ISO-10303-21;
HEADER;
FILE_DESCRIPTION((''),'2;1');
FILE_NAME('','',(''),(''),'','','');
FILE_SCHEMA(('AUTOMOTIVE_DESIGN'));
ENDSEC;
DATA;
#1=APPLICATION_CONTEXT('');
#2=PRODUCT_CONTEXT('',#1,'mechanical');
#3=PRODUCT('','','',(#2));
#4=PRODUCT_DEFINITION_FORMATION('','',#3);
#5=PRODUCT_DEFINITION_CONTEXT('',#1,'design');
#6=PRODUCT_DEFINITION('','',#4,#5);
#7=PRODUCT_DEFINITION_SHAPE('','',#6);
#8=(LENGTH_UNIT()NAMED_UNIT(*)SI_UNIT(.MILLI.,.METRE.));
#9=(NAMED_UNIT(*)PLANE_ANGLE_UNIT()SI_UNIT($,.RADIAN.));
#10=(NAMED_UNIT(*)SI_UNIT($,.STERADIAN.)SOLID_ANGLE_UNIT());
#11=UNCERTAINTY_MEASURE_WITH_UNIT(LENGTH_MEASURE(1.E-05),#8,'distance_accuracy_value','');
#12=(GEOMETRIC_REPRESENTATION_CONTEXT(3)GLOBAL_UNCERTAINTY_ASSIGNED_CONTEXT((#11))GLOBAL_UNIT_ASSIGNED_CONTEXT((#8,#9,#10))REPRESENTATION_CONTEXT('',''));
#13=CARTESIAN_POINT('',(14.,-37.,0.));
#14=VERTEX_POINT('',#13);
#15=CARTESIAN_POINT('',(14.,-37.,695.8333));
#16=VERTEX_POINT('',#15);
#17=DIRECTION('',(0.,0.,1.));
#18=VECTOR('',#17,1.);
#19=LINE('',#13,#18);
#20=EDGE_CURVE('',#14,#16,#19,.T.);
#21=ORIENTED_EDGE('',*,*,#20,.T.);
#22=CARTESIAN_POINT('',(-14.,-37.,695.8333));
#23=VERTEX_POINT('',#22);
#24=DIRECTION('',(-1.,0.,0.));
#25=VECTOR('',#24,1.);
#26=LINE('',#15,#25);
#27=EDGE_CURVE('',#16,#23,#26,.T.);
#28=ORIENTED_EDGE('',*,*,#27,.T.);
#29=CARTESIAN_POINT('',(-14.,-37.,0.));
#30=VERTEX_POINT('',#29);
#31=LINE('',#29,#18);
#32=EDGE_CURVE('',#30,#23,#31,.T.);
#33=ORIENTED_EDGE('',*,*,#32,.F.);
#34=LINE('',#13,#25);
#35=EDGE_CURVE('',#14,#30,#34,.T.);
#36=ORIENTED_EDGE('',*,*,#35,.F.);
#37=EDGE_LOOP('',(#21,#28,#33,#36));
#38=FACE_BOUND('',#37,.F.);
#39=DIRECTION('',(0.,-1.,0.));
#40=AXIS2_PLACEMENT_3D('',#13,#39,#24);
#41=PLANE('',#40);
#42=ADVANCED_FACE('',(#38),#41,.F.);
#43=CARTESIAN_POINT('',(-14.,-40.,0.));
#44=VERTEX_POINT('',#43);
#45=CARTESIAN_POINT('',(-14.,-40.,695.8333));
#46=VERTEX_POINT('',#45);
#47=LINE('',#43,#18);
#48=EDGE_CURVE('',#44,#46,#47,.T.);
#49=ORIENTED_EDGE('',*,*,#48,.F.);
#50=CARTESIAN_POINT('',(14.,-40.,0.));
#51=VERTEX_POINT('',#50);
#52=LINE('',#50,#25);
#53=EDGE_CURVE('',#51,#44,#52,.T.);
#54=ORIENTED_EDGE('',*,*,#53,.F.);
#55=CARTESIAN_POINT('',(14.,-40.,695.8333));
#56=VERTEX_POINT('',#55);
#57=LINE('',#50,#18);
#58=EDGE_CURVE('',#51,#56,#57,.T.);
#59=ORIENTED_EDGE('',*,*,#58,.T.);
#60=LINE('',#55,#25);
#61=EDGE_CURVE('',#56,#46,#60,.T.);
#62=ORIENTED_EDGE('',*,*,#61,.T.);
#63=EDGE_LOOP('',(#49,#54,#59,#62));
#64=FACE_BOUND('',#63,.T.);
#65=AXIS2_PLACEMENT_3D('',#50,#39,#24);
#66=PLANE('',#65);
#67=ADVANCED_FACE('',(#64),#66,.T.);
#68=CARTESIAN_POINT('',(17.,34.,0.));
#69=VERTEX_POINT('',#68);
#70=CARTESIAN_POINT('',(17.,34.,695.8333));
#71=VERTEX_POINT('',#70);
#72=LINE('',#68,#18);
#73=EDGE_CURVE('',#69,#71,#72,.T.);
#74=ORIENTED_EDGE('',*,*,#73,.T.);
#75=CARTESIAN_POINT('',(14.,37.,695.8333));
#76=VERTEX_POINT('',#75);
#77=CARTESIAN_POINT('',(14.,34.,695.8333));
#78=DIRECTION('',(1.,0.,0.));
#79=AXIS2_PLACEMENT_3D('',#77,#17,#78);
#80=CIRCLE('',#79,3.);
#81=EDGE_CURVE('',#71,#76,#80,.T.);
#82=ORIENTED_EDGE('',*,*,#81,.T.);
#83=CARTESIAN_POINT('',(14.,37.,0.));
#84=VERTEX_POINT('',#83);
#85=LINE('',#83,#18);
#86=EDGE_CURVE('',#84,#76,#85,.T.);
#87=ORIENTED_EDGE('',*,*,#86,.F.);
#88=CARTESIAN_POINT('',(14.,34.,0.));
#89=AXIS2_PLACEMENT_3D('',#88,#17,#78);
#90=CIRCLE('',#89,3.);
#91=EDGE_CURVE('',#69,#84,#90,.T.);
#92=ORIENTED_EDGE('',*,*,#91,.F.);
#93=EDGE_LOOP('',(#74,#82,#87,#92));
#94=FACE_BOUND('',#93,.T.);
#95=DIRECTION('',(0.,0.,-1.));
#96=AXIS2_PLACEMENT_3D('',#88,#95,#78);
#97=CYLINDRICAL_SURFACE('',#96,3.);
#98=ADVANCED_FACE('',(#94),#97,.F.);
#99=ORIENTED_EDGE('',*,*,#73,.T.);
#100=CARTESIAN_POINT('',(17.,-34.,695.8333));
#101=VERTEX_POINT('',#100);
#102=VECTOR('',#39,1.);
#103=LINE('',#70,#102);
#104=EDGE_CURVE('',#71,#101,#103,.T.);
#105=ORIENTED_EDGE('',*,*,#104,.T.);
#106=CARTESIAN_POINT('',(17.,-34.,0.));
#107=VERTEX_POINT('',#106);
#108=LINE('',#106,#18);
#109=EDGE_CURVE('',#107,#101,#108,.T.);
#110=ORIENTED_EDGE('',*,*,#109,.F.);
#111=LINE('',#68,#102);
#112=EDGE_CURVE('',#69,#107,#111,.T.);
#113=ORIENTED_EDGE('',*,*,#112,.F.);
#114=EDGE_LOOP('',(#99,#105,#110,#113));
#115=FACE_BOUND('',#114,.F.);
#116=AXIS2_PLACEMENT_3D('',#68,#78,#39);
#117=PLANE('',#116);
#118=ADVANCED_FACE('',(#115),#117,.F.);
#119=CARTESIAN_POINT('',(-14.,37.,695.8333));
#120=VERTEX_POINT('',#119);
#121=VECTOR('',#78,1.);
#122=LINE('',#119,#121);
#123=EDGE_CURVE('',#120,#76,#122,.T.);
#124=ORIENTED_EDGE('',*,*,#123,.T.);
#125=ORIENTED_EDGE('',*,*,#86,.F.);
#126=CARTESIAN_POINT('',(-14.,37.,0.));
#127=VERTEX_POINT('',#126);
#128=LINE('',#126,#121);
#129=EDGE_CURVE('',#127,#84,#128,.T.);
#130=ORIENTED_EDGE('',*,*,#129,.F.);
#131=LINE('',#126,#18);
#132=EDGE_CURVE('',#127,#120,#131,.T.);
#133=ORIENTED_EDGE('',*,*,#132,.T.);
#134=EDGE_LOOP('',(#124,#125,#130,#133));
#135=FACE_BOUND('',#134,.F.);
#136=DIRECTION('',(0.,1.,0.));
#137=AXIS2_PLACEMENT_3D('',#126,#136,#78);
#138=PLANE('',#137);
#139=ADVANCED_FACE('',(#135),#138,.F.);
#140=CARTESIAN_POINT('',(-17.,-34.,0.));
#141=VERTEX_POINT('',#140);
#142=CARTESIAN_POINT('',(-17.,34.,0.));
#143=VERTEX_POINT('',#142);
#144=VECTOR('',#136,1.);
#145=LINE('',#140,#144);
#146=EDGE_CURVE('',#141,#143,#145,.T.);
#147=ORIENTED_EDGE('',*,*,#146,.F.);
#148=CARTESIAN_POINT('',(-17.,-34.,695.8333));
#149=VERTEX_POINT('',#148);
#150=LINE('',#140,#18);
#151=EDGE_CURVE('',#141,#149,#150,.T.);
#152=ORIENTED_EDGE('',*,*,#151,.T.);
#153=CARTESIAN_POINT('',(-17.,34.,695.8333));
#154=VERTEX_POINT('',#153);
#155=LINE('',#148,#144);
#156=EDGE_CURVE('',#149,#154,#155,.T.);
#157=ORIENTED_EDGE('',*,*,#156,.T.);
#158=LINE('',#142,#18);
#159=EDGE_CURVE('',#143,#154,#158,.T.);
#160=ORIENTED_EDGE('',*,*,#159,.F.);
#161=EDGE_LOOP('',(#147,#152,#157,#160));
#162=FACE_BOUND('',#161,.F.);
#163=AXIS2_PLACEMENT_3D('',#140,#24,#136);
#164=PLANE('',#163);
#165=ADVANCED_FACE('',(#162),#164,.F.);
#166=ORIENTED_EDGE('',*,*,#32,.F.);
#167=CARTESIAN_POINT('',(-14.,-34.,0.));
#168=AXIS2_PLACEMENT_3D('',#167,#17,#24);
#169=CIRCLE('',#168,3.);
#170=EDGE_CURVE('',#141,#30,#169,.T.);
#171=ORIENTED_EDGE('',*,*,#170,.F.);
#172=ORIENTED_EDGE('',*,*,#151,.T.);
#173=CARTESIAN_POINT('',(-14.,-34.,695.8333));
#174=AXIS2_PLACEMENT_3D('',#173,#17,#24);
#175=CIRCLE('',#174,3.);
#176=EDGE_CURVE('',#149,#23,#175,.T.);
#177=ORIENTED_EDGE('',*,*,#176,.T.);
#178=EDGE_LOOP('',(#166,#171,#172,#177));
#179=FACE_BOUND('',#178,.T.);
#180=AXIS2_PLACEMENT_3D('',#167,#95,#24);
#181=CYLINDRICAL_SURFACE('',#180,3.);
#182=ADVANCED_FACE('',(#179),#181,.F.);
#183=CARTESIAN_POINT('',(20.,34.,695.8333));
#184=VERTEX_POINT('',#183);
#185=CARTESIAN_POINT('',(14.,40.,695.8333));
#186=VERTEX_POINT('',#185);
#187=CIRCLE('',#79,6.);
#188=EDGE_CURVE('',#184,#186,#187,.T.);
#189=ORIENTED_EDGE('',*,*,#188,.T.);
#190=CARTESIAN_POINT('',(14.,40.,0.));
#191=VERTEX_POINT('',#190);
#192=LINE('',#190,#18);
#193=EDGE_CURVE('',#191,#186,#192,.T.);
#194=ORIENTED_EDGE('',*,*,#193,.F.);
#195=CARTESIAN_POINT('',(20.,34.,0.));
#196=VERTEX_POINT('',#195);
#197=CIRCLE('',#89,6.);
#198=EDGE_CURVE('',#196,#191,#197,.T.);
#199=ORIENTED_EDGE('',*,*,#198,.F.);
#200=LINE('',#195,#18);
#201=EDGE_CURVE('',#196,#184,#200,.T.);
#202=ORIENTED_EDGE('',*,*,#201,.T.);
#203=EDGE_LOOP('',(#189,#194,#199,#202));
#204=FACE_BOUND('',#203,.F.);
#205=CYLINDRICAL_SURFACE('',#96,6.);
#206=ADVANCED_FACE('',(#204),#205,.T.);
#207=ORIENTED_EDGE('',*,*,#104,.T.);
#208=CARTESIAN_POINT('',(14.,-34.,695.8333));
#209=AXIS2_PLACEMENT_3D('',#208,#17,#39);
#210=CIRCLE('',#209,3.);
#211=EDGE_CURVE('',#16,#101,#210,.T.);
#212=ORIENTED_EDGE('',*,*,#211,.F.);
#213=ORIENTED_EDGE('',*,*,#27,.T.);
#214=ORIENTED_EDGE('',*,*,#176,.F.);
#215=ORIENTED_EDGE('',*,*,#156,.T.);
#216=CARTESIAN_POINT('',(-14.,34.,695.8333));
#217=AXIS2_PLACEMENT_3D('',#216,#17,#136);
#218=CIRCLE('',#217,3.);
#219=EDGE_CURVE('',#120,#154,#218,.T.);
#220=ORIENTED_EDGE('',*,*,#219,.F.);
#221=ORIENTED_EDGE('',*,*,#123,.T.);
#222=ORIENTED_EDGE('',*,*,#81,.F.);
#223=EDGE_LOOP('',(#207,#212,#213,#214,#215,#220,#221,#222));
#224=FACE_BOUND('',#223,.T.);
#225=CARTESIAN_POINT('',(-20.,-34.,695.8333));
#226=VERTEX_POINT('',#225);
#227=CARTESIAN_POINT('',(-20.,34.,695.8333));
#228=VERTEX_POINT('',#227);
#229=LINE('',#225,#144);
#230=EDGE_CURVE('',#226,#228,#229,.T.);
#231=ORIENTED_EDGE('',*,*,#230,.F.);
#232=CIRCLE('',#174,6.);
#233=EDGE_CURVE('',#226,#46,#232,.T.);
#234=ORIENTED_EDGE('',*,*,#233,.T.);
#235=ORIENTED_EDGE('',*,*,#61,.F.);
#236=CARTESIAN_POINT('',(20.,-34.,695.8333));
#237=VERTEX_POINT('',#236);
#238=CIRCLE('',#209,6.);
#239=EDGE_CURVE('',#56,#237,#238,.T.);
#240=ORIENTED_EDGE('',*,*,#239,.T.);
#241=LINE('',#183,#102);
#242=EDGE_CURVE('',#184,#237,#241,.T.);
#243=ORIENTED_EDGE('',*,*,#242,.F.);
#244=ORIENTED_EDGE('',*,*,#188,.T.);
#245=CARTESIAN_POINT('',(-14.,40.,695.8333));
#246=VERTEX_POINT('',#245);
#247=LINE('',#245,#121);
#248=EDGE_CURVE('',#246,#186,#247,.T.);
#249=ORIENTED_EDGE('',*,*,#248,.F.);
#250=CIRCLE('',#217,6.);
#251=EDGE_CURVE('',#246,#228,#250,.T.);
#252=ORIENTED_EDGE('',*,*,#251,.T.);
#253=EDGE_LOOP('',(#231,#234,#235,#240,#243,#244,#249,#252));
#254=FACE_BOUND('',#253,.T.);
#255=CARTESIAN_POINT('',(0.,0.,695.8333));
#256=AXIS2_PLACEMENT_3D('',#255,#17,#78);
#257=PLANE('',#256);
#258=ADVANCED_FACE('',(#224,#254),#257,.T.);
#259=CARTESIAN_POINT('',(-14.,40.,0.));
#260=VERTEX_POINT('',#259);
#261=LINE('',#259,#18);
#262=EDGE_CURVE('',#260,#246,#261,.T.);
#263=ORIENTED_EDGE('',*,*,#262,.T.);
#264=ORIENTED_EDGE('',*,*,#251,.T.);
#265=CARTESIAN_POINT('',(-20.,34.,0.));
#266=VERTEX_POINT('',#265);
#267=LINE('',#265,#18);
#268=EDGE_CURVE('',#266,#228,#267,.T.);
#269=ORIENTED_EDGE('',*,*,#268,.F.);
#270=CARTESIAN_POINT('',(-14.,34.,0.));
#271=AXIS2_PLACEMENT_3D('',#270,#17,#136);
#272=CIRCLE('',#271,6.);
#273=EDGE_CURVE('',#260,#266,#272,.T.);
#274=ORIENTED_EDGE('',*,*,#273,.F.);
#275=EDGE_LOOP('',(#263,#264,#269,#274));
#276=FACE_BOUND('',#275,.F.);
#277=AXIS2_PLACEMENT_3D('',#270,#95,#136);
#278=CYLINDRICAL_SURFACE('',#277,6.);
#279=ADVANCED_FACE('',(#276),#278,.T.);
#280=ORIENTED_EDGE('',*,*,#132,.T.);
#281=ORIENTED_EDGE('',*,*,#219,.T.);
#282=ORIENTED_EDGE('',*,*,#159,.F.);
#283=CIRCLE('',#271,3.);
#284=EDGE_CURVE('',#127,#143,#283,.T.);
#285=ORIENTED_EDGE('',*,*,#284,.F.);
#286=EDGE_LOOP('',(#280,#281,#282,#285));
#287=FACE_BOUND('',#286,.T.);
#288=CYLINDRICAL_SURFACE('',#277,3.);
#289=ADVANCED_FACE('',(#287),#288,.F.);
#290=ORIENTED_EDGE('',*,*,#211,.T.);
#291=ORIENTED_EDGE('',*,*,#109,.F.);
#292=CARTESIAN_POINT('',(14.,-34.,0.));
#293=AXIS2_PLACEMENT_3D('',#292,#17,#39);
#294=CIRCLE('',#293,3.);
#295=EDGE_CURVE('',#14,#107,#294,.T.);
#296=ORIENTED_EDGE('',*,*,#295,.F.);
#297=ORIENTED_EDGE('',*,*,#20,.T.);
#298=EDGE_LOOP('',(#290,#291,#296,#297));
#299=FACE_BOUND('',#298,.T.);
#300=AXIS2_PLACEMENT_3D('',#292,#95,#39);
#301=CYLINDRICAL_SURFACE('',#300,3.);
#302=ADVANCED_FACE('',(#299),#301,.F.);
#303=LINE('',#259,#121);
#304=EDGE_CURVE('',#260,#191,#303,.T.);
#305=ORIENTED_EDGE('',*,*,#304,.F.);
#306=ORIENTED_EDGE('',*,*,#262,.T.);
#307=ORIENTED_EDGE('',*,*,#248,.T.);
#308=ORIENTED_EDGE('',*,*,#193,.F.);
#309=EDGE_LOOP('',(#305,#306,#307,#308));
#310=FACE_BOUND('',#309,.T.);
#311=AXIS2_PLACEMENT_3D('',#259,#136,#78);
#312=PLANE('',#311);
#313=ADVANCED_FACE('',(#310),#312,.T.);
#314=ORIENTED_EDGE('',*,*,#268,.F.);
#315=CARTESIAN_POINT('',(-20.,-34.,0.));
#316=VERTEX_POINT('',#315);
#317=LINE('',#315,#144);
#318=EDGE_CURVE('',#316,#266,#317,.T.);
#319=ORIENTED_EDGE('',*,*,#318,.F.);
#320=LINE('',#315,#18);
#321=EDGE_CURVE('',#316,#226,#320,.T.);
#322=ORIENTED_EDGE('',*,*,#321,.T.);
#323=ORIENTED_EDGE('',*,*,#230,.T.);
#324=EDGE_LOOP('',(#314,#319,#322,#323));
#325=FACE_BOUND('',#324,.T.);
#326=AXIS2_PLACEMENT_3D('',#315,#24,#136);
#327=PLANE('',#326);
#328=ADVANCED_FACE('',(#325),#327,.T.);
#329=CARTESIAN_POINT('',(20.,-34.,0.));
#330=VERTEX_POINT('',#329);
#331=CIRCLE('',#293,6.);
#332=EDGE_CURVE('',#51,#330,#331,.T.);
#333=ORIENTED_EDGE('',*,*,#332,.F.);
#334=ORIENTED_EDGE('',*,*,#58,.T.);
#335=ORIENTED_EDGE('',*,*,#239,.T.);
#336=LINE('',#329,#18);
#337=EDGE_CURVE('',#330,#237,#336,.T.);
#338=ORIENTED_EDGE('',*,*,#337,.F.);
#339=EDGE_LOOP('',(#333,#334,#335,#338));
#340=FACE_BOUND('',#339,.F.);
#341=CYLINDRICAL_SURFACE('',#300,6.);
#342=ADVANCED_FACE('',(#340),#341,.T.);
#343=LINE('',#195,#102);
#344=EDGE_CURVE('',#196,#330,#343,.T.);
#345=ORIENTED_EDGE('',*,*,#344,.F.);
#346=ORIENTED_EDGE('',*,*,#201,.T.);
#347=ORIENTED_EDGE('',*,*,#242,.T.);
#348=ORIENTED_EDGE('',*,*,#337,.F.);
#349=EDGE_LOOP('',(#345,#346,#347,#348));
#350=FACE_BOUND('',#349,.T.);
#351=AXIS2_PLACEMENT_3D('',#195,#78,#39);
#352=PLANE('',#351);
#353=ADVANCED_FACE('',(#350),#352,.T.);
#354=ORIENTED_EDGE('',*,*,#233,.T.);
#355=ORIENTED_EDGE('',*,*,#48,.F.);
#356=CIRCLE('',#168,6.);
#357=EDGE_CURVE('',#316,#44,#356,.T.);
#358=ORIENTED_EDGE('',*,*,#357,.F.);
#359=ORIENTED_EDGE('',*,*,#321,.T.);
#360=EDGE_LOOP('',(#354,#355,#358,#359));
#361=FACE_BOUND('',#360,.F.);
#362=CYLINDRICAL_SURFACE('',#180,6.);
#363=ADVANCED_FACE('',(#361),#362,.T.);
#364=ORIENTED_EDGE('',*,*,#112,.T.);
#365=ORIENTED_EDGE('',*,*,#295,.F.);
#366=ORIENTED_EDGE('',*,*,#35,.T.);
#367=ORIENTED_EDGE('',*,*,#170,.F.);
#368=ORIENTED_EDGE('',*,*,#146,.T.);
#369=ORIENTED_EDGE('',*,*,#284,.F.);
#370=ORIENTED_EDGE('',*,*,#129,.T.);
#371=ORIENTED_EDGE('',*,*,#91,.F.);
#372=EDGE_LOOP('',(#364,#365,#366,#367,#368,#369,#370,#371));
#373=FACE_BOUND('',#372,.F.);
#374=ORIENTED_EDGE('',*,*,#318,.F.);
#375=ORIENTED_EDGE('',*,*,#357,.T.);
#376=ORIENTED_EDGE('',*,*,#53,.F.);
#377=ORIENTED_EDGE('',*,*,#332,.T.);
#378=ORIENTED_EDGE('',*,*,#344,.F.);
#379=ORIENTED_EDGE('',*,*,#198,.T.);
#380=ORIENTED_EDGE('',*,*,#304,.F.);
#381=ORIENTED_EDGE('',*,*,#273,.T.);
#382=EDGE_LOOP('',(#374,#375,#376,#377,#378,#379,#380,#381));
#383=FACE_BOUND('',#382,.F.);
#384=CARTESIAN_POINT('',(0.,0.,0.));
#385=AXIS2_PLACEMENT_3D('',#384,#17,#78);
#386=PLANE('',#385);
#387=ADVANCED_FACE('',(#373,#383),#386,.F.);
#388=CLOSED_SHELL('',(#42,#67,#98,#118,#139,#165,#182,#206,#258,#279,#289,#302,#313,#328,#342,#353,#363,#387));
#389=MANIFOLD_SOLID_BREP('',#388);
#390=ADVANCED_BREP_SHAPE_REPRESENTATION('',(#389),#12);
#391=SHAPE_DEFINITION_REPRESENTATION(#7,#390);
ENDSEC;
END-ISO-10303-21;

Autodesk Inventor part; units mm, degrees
ref_plane "YZ Plane" through (0, 0, 0) normal (1, 0, 0) x (0, 1, 0)
ref_plane "Start Plane" through (0, 0, 0) normal (0, 0, 1) x (1, 0, 0)
ref_plane "End Plane" through (0, 0, 695.8333) normal (0, 0, 1) x (1, 0, 0)
sketch "Sketch" plane through (0, 0, 0) normal (0, 0, 1) x (1, 0, 0)
  line L0 (-20, -34) -> (-20, 34)
  line L1 (-14, 40) -> (14, 40)
  line L2 (20, 34) -> (20, -34)
  line L3 (14, -40) -> (-14, -40)
  arc A0 (-20, -34) -> (-14, -40) centre (-14, -34) ccw
  arc A1 (20, 34) -> (14, 40) centre (14, 34) ccw
  arc A2 (-14, 40) -> (-20, 34) centre (-14, 34) ccw
  arc A3 (14, -40) -> (20, -34) centre (14, -34) ccw
  arc A4 (-14, 37) -> (-17, 34) centre (-14, 34) ccw
  line L4 (-14, 37) -> (14, 37)
  arc A5 (17, 34) -> (14, 37) centre (14, 34) ccw
  line L5 (17, 34) -> (17, -34)
  arc A6 (14, -37) -> (17, -34) centre (14, -34) ccw
  line L6 (14, -37) -> (-14, -37)
  arc A7 (-17, -34) -> (-14, -37) centre (-14, -34) ccw
  line L7 (-17, -34) -> (-17, 34)
  line L8 (0, 57.7397) -> (0, -57.7397) construction
  line L9 (-29.7397, 0) -> (29.7397, 0) construction
  dimension "d7" = 6
  dimension "d9" = 40
  dimension "d11" = 80
  dimension "d12" = 3
  dimension "d15" = 20
  dimension "d16" = 40
extrude "Body" add sketch "Sketch" along normal up to surface (695.8333 mm away) from surface at 0
sketch "Sketch3" plane through (0, 0, 0) normal (0, 0, 1) x (1, 0, 0)
  line L0 (0, 0) -> (10, 0)
ref_plane "Work Plane3" through (0, 0, 0) normal (0, -1, 0) x (1, 0, 0)
sketch "Sketch4" plane through (0, 0, 0) normal (0, -1, 0) x (1, 0, 0)
  line L0 (-2, 0) -> (12, 0) projected
  line L1 (-2, 695.8333) -> (12, 695.8333) projected
  dimension "d18" = 695.8333
equation "\"d7\" = G_IR"
equation "\"d9\" = G_W"
equation "\"d11\" = G_H"
equation "\"d12\" = G_T"
equation "\"d15\" = 0.5 * d9"
equation "\"d16\" = 0.5 * d11"
equation "\"d3\" = G_L"
equation "\"G_W\" = 40"
equation "\"G_H\" = 80"
equation "\"G_T\" = 3"
equation "\"G_IR\" = 6"
equation "\"G_L\" = d18"
equation "\"G_OFFSET_START\" = 0"
equation "\"G_OFFSET_END\" = 0"
equation "\"d14\" = G_OFFSET_END + B_L"
equation "\"B_L\" = 695.83333"
properties part number "ISO 10799-2 - 80x40x3 - 695.83" material "Steel, Mild"
